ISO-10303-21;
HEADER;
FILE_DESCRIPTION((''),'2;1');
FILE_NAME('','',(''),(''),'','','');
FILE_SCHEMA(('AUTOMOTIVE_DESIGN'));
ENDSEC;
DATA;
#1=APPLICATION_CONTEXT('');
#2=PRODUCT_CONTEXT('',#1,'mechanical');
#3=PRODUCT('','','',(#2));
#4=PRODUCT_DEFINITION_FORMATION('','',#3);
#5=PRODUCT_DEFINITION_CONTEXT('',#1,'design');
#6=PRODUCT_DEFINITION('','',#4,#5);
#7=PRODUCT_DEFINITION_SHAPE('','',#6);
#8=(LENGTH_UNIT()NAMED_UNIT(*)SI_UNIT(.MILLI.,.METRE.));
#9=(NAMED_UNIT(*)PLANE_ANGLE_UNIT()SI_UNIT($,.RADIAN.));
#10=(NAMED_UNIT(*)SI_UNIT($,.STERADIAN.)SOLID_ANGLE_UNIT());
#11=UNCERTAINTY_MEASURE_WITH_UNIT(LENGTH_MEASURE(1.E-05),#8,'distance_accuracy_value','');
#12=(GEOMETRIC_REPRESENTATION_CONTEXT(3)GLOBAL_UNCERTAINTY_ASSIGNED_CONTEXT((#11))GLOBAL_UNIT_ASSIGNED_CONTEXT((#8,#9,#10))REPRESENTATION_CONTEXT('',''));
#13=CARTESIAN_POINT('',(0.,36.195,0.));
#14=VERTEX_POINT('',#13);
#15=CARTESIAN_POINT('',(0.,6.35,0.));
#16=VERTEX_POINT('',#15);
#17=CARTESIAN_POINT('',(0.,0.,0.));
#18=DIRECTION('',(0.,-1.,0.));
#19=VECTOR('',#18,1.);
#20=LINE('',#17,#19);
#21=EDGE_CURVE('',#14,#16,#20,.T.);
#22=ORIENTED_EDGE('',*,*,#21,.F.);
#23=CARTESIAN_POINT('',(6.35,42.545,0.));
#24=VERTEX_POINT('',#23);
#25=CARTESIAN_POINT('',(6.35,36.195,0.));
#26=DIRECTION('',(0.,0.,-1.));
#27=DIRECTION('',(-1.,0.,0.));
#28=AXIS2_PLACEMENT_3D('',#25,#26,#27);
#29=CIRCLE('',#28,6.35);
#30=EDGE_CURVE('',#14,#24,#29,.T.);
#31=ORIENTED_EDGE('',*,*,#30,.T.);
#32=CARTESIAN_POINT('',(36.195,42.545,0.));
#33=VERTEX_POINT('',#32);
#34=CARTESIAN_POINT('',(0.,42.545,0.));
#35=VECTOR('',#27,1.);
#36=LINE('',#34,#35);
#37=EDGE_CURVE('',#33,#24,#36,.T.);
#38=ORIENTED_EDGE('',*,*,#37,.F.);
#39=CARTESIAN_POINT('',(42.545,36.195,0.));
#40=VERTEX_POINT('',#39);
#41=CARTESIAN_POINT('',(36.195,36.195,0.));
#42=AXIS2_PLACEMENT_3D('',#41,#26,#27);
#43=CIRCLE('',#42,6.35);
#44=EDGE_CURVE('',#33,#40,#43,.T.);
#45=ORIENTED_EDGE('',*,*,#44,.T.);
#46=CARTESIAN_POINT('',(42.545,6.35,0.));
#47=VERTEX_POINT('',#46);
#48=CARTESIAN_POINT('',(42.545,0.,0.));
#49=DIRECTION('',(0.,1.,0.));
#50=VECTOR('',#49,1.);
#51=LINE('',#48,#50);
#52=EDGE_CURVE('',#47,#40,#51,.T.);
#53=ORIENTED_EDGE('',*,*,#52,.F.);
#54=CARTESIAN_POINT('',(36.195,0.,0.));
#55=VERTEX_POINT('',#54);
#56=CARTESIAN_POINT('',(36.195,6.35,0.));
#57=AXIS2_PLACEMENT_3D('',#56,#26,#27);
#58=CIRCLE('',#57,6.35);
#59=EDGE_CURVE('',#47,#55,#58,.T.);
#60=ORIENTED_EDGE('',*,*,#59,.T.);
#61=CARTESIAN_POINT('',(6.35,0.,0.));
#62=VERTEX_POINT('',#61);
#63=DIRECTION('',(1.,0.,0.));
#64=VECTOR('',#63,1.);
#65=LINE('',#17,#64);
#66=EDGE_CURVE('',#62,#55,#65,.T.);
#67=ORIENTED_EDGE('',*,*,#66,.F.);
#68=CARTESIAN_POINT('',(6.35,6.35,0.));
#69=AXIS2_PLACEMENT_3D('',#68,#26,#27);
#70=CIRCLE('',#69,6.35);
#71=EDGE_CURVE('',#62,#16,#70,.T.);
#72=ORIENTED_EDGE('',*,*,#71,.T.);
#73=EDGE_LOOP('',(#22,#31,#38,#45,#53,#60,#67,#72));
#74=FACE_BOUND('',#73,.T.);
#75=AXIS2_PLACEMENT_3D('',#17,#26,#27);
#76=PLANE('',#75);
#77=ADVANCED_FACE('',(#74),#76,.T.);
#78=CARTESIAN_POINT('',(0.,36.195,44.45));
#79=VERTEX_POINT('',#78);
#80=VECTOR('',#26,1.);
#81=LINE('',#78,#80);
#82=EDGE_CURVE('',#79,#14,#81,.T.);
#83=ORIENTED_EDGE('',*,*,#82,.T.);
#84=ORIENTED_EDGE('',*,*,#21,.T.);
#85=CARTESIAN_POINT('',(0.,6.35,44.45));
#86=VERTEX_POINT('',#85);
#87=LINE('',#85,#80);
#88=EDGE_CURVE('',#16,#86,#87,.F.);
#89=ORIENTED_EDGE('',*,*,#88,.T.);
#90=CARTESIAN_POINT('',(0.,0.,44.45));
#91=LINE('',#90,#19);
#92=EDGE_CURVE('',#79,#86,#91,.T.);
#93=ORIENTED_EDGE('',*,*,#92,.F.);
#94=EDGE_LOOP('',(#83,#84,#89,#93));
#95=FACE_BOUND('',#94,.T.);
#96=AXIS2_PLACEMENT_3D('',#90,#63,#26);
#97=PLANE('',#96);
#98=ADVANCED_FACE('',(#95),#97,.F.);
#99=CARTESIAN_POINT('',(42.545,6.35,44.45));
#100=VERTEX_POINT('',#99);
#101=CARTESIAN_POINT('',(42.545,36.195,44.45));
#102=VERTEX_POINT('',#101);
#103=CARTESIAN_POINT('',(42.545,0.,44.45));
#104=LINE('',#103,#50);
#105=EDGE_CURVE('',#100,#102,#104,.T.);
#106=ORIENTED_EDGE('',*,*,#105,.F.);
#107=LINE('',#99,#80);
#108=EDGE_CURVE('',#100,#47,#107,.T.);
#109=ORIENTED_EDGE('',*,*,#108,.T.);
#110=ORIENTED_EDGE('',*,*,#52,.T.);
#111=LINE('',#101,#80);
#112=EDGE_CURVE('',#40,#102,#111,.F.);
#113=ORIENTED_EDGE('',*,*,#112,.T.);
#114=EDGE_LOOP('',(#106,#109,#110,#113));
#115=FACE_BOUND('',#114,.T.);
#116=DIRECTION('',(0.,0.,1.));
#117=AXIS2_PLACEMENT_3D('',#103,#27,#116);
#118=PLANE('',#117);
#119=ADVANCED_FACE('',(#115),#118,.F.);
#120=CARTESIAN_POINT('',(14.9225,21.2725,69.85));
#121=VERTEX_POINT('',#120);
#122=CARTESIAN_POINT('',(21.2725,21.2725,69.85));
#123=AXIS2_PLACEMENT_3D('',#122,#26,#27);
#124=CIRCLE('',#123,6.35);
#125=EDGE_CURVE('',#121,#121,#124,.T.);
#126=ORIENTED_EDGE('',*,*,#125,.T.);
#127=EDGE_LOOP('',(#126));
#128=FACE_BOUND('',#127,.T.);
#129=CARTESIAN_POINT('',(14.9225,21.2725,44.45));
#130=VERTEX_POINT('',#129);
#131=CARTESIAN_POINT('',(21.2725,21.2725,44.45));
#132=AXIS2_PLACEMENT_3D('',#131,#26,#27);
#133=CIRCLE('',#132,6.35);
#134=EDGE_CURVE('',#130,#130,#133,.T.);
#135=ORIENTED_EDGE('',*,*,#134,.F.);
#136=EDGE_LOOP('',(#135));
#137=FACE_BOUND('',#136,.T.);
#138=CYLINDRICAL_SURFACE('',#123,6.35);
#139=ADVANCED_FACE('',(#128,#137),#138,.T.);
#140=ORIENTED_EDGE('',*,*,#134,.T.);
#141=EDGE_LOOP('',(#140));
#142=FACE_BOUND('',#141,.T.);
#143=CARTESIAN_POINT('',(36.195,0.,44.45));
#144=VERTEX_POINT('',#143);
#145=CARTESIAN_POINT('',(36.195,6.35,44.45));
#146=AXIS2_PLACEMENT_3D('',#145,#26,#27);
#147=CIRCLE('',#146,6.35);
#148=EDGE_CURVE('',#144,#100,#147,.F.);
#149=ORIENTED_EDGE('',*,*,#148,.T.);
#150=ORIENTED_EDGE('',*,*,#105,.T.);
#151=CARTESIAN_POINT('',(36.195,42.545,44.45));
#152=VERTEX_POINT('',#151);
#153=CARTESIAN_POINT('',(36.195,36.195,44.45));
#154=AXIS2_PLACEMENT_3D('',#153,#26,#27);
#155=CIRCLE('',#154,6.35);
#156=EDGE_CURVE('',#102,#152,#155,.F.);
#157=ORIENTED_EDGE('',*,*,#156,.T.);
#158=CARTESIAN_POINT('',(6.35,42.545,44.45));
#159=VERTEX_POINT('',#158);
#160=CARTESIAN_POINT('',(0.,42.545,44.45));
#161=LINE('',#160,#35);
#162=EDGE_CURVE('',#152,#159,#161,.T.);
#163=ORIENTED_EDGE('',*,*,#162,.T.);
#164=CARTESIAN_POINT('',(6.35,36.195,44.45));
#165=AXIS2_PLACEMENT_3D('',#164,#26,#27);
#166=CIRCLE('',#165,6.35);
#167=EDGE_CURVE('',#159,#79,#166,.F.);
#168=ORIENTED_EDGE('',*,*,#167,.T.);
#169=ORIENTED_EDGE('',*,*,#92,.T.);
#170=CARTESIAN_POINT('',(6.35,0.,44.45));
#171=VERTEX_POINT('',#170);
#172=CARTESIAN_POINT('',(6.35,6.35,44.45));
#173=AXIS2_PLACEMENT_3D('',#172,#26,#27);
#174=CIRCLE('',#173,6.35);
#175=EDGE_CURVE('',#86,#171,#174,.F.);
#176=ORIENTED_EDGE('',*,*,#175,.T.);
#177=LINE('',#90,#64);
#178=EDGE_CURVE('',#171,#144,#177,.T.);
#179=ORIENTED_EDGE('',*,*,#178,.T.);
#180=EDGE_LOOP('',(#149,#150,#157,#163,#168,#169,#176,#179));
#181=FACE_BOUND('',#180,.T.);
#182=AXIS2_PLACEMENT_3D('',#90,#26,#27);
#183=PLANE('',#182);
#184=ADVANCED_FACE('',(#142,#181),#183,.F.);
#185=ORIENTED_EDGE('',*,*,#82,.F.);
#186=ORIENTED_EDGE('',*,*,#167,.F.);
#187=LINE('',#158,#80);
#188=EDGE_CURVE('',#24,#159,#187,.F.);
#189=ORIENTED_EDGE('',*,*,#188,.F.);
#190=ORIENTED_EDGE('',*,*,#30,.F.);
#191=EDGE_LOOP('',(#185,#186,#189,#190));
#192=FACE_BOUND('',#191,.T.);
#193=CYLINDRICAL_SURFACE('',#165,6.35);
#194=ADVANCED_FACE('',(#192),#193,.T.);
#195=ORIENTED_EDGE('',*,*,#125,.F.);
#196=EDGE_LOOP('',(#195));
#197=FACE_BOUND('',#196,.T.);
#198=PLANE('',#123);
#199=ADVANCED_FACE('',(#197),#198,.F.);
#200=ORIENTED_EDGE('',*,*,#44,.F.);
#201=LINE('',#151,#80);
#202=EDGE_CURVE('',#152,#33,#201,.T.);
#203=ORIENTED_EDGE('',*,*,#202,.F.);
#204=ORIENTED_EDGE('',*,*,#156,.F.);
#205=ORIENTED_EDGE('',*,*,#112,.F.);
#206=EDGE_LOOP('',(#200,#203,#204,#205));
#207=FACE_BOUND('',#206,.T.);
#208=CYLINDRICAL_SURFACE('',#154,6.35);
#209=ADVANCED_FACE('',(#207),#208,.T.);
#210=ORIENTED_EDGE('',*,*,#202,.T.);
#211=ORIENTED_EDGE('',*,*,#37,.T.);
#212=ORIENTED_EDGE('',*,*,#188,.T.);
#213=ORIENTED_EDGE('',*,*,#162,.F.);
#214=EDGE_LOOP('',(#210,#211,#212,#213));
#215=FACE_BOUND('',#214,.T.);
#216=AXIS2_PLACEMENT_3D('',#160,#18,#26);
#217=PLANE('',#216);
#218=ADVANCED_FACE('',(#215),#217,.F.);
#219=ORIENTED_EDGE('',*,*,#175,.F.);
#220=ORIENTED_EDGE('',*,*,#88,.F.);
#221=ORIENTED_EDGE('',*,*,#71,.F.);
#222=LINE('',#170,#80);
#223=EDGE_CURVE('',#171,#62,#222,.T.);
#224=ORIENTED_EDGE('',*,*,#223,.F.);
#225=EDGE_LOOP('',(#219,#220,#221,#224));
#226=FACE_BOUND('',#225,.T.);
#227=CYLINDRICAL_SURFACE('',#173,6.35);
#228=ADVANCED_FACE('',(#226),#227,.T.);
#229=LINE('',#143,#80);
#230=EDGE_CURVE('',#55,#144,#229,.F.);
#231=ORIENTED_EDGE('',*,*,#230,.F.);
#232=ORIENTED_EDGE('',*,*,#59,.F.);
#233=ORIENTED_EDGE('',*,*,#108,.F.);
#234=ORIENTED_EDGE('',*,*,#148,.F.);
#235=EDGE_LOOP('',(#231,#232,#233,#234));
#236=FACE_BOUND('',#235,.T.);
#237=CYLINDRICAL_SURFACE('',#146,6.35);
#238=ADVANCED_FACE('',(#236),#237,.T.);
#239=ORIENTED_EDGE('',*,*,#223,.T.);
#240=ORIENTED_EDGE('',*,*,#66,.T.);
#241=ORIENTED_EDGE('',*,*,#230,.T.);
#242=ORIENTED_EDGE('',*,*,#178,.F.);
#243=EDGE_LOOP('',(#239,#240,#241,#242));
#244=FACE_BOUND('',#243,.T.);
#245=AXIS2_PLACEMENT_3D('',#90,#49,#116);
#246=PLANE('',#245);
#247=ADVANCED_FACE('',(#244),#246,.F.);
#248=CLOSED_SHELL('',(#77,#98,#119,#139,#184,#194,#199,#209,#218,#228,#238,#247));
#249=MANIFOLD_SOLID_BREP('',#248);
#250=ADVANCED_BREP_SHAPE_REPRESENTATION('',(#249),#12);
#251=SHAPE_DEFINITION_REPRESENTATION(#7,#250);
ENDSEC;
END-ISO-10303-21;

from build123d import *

# Parameters (mm, degrees)
SKETCH1_W           = 42.545
SKETCH1_H           = 42.545
BOSS_EXTRUDE1_DEPTH = 44.45
FILLET2_R           = 6.35
SKETCH2_R           = 6.35
BOSS_EXTRUDE2_DEPTH = 69.85


with BuildPart() as part:
    # Sketch1 → Boss-Extrude1 (new body)
    with BuildSketch(Plane.XY):
        with Locations((21.2725, 21.2725)):
            Rectangle(SKETCH1_W, SKETCH1_H)
    extrude(amount=BOSS_EXTRUDE1_DEPTH)

    # Fillet2
    fillet2_edges = [part.edges().sort_by_distance(p)[0] for p in [
        (0, 42.545, 22.225),
        (42.545, 42.545, 22.225),
        (42.545, 0, 22.225),
        (0, 0, 22.225),
    ]]
    fillet(fillet2_edges, radius=FILLET2_R)

    # Sketch2 → Boss-Extrude2 (add)
    with BuildSketch(Plane(origin=(0, 0, 0), x_dir=(-1, 0, 0), z_dir=(0, 0, -1))):
        with Locations((-21.2725, 21.2725)):
            Circle(SKETCH2_R)
    extrude(amount=-BOSS_EXTRUDE2_DEPTH)


solid = part.part
